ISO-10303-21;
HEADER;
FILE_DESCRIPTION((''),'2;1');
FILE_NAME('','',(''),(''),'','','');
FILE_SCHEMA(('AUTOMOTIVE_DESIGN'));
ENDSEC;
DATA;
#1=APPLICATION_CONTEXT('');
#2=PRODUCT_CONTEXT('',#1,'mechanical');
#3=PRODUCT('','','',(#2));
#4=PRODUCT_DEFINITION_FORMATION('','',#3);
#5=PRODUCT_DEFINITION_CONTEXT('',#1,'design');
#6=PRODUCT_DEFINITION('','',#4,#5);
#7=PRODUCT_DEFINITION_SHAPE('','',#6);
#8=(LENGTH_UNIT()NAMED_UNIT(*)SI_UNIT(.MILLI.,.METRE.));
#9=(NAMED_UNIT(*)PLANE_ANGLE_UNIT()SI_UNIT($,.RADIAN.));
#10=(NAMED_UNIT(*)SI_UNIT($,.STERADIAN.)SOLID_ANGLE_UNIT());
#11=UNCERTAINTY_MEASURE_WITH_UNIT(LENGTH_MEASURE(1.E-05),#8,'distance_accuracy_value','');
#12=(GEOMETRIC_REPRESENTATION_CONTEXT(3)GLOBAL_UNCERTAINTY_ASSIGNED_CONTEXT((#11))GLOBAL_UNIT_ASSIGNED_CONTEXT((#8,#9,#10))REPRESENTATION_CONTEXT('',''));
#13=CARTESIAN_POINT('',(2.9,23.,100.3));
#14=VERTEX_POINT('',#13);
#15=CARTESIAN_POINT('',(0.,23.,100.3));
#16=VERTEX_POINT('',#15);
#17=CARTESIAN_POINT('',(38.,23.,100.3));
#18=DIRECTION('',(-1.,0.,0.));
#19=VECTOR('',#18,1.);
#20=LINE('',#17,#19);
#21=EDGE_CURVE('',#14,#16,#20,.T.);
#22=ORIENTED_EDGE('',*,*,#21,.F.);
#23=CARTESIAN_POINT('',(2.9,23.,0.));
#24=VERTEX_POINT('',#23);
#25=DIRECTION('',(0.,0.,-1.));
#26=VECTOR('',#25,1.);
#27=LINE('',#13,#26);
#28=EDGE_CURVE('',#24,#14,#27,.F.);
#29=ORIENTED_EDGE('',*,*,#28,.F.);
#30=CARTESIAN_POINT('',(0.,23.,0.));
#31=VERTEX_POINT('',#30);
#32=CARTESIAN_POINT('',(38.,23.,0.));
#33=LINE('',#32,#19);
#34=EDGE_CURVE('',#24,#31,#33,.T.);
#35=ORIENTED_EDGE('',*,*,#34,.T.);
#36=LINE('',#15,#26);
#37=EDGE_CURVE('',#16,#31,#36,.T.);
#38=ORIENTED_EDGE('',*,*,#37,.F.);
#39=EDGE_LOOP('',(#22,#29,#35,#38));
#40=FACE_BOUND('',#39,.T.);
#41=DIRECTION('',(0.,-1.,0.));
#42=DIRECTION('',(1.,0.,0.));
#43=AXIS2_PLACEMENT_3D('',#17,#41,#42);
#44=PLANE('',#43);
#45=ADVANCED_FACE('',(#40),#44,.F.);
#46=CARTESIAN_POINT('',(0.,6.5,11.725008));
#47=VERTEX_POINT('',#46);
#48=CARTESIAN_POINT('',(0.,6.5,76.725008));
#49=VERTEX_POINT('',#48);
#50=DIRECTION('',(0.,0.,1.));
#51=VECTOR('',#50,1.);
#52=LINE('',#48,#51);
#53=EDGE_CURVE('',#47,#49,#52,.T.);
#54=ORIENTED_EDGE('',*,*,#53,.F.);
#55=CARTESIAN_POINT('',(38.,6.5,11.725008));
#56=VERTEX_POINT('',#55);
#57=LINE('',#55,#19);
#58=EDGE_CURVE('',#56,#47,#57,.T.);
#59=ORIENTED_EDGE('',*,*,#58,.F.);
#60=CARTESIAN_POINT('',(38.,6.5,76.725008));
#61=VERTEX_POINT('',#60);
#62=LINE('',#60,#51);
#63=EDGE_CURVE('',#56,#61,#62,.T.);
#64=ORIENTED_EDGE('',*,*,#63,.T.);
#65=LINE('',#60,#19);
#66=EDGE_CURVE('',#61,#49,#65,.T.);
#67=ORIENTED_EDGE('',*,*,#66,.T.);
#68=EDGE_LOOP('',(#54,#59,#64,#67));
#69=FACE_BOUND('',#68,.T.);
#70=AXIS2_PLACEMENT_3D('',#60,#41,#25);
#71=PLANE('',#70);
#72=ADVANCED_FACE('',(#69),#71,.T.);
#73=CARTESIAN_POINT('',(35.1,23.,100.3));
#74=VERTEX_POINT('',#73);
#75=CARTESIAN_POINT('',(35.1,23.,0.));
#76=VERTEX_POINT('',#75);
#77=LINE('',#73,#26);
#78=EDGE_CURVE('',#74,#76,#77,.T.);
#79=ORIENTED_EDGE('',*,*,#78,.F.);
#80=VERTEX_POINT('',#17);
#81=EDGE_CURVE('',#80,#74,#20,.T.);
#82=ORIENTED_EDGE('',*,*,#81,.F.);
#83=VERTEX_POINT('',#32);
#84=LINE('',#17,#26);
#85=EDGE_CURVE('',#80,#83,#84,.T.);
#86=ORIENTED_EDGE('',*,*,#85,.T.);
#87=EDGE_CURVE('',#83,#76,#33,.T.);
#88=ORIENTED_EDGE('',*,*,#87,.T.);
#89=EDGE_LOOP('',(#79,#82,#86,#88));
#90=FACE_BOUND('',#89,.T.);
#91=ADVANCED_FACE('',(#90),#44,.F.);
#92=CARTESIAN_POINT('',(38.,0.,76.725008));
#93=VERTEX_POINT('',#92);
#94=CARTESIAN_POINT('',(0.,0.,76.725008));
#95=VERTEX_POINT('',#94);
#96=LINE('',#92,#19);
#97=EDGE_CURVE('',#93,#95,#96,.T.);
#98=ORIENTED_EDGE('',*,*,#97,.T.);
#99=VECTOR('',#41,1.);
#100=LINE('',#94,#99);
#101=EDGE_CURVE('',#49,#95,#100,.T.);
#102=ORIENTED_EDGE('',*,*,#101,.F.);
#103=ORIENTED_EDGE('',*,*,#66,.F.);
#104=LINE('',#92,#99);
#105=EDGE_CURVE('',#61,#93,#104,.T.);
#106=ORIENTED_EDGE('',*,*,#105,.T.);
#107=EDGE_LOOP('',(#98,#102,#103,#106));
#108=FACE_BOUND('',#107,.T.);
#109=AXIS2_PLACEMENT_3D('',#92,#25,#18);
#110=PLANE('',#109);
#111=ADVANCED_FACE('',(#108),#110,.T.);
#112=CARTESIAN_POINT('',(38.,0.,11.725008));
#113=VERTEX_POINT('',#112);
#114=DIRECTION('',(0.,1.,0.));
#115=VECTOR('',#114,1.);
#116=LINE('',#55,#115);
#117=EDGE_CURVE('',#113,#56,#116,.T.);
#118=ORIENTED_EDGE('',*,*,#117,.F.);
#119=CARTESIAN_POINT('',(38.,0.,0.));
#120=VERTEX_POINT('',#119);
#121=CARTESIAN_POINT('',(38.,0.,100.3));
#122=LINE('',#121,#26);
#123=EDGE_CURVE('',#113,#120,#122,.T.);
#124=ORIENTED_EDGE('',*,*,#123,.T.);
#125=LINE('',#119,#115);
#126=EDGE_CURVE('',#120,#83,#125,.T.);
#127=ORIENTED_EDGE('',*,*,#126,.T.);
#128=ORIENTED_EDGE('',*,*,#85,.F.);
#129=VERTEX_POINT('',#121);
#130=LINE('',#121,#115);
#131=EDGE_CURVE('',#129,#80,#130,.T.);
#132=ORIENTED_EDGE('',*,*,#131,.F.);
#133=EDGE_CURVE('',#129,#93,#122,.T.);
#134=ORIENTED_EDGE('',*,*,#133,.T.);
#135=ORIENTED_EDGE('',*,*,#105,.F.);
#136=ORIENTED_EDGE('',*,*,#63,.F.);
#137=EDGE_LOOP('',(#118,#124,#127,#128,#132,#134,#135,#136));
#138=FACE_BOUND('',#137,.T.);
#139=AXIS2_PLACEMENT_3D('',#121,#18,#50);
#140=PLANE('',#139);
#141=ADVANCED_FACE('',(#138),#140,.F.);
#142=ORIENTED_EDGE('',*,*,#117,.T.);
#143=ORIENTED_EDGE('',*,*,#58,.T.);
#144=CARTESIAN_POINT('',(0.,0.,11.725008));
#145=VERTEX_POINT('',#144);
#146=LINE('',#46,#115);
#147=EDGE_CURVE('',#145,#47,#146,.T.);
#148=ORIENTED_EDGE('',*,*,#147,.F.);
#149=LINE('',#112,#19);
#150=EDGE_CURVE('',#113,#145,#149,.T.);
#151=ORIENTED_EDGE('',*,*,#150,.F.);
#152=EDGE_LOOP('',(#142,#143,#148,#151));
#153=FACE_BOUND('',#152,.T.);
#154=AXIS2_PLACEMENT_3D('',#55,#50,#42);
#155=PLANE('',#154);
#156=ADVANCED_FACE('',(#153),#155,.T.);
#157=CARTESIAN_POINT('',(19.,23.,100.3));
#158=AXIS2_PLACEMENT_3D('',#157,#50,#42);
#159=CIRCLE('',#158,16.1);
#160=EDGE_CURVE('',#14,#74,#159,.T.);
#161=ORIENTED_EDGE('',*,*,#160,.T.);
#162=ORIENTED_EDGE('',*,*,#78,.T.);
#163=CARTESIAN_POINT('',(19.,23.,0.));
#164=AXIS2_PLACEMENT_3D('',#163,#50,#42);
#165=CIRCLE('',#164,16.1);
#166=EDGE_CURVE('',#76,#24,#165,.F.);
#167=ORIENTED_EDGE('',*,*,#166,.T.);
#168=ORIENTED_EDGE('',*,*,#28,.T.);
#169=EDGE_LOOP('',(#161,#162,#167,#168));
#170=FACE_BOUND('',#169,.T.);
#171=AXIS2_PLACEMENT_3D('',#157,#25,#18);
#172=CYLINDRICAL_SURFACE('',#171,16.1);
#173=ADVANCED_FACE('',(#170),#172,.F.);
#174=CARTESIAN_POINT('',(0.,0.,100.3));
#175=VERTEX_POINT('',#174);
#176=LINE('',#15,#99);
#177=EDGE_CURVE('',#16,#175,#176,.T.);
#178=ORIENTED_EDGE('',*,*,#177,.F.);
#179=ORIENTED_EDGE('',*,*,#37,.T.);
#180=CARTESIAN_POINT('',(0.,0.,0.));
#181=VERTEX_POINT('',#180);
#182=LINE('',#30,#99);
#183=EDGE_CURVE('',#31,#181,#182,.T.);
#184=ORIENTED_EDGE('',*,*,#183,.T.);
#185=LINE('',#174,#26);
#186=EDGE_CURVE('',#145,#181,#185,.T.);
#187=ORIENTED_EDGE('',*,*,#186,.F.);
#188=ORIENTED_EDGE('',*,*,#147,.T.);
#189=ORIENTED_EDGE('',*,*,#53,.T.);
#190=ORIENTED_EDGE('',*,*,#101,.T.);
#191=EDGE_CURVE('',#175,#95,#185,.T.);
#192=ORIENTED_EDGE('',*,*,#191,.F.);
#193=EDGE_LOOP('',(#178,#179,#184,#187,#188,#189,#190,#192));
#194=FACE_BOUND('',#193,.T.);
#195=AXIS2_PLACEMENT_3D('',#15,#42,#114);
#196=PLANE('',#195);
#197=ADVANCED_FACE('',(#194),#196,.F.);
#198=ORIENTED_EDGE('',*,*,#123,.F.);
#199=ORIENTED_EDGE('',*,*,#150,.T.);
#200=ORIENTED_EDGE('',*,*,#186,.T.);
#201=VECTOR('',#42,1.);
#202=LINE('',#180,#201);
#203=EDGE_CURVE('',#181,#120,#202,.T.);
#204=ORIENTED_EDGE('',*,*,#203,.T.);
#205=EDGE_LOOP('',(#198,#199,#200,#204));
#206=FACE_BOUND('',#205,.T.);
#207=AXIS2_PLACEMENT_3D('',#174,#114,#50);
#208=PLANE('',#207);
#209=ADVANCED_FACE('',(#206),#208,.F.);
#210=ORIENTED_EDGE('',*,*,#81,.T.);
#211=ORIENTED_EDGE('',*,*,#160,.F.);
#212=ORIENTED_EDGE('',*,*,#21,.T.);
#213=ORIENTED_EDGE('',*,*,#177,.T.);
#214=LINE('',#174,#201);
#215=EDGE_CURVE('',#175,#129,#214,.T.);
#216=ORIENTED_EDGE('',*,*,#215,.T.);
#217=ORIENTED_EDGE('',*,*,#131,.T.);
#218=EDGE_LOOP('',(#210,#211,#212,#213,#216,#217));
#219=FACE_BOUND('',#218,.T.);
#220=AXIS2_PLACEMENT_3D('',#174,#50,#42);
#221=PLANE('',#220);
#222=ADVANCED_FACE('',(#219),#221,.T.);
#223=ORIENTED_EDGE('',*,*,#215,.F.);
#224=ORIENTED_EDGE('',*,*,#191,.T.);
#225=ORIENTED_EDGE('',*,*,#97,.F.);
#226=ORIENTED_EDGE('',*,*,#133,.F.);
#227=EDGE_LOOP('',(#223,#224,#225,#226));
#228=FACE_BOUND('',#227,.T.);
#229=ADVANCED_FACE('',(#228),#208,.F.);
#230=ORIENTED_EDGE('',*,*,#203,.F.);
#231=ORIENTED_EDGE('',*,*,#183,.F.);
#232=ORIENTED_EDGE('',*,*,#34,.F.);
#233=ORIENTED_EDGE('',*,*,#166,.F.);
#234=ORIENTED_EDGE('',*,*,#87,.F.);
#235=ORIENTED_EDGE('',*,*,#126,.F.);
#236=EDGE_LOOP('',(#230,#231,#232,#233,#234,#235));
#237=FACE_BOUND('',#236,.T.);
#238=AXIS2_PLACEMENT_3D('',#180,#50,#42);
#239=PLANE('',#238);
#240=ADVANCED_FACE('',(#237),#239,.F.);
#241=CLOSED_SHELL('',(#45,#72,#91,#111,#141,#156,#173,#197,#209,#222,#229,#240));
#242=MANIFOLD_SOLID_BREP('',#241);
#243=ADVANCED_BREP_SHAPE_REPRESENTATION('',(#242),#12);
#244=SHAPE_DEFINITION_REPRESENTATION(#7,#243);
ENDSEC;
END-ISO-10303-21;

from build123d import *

# Parameters (mm, degrees)
ESQUISSE1_W             = 38
ESQUISSE1_H             = 23
BOSS_EXTRU_1_DEPTH      = 100.3
ESQUISSE4_R             = 16.1
ENL_V_MAT_EXTRU_1_DEPTH = 101.3
ESQUISSE5_W             = 65
ESQUISSE5_H             = 6.5
ENL_V_MAT_EXTRU_2_DEPTH = 39


with BuildPart() as part:
    # Esquisse1 → Boss.-Extru.1 (new body)
    with BuildSketch(Plane.XY):
        with Locations((19, 11.5)):
            Rectangle(ESQUISSE1_W, ESQUISSE1_H)
    extrude(amount=BOSS_EXTRU_1_DEPTH)

    # Esquisse4 → Enlèv. mat.-Extru.1 (cut, through all)
    with BuildSketch(Plane.XY):
        with Locations((19, 23)):
            Circle(ESQUISSE4_R)
    extrude(amount=ENL_V_MAT_EXTRU_1_DEPTH, mode=Mode.SUBTRACT)

    # Esquisse5 → Enlèv. mat.-Extru.2 (cut, through all)
    with BuildSketch(Plane(origin=(0, 0, 0), x_dir=(0, 0, -1), z_dir=(1, 0, 0))):
        with Locations((-44.225007926, 3.25)):
            Rectangle(ESQUISSE5_W, ESQUISSE5_H)
    extrude(amount=ENL_V_MAT_EXTRU_2_DEPTH, mode=Mode.SUBTRACT)


solid = part.part
